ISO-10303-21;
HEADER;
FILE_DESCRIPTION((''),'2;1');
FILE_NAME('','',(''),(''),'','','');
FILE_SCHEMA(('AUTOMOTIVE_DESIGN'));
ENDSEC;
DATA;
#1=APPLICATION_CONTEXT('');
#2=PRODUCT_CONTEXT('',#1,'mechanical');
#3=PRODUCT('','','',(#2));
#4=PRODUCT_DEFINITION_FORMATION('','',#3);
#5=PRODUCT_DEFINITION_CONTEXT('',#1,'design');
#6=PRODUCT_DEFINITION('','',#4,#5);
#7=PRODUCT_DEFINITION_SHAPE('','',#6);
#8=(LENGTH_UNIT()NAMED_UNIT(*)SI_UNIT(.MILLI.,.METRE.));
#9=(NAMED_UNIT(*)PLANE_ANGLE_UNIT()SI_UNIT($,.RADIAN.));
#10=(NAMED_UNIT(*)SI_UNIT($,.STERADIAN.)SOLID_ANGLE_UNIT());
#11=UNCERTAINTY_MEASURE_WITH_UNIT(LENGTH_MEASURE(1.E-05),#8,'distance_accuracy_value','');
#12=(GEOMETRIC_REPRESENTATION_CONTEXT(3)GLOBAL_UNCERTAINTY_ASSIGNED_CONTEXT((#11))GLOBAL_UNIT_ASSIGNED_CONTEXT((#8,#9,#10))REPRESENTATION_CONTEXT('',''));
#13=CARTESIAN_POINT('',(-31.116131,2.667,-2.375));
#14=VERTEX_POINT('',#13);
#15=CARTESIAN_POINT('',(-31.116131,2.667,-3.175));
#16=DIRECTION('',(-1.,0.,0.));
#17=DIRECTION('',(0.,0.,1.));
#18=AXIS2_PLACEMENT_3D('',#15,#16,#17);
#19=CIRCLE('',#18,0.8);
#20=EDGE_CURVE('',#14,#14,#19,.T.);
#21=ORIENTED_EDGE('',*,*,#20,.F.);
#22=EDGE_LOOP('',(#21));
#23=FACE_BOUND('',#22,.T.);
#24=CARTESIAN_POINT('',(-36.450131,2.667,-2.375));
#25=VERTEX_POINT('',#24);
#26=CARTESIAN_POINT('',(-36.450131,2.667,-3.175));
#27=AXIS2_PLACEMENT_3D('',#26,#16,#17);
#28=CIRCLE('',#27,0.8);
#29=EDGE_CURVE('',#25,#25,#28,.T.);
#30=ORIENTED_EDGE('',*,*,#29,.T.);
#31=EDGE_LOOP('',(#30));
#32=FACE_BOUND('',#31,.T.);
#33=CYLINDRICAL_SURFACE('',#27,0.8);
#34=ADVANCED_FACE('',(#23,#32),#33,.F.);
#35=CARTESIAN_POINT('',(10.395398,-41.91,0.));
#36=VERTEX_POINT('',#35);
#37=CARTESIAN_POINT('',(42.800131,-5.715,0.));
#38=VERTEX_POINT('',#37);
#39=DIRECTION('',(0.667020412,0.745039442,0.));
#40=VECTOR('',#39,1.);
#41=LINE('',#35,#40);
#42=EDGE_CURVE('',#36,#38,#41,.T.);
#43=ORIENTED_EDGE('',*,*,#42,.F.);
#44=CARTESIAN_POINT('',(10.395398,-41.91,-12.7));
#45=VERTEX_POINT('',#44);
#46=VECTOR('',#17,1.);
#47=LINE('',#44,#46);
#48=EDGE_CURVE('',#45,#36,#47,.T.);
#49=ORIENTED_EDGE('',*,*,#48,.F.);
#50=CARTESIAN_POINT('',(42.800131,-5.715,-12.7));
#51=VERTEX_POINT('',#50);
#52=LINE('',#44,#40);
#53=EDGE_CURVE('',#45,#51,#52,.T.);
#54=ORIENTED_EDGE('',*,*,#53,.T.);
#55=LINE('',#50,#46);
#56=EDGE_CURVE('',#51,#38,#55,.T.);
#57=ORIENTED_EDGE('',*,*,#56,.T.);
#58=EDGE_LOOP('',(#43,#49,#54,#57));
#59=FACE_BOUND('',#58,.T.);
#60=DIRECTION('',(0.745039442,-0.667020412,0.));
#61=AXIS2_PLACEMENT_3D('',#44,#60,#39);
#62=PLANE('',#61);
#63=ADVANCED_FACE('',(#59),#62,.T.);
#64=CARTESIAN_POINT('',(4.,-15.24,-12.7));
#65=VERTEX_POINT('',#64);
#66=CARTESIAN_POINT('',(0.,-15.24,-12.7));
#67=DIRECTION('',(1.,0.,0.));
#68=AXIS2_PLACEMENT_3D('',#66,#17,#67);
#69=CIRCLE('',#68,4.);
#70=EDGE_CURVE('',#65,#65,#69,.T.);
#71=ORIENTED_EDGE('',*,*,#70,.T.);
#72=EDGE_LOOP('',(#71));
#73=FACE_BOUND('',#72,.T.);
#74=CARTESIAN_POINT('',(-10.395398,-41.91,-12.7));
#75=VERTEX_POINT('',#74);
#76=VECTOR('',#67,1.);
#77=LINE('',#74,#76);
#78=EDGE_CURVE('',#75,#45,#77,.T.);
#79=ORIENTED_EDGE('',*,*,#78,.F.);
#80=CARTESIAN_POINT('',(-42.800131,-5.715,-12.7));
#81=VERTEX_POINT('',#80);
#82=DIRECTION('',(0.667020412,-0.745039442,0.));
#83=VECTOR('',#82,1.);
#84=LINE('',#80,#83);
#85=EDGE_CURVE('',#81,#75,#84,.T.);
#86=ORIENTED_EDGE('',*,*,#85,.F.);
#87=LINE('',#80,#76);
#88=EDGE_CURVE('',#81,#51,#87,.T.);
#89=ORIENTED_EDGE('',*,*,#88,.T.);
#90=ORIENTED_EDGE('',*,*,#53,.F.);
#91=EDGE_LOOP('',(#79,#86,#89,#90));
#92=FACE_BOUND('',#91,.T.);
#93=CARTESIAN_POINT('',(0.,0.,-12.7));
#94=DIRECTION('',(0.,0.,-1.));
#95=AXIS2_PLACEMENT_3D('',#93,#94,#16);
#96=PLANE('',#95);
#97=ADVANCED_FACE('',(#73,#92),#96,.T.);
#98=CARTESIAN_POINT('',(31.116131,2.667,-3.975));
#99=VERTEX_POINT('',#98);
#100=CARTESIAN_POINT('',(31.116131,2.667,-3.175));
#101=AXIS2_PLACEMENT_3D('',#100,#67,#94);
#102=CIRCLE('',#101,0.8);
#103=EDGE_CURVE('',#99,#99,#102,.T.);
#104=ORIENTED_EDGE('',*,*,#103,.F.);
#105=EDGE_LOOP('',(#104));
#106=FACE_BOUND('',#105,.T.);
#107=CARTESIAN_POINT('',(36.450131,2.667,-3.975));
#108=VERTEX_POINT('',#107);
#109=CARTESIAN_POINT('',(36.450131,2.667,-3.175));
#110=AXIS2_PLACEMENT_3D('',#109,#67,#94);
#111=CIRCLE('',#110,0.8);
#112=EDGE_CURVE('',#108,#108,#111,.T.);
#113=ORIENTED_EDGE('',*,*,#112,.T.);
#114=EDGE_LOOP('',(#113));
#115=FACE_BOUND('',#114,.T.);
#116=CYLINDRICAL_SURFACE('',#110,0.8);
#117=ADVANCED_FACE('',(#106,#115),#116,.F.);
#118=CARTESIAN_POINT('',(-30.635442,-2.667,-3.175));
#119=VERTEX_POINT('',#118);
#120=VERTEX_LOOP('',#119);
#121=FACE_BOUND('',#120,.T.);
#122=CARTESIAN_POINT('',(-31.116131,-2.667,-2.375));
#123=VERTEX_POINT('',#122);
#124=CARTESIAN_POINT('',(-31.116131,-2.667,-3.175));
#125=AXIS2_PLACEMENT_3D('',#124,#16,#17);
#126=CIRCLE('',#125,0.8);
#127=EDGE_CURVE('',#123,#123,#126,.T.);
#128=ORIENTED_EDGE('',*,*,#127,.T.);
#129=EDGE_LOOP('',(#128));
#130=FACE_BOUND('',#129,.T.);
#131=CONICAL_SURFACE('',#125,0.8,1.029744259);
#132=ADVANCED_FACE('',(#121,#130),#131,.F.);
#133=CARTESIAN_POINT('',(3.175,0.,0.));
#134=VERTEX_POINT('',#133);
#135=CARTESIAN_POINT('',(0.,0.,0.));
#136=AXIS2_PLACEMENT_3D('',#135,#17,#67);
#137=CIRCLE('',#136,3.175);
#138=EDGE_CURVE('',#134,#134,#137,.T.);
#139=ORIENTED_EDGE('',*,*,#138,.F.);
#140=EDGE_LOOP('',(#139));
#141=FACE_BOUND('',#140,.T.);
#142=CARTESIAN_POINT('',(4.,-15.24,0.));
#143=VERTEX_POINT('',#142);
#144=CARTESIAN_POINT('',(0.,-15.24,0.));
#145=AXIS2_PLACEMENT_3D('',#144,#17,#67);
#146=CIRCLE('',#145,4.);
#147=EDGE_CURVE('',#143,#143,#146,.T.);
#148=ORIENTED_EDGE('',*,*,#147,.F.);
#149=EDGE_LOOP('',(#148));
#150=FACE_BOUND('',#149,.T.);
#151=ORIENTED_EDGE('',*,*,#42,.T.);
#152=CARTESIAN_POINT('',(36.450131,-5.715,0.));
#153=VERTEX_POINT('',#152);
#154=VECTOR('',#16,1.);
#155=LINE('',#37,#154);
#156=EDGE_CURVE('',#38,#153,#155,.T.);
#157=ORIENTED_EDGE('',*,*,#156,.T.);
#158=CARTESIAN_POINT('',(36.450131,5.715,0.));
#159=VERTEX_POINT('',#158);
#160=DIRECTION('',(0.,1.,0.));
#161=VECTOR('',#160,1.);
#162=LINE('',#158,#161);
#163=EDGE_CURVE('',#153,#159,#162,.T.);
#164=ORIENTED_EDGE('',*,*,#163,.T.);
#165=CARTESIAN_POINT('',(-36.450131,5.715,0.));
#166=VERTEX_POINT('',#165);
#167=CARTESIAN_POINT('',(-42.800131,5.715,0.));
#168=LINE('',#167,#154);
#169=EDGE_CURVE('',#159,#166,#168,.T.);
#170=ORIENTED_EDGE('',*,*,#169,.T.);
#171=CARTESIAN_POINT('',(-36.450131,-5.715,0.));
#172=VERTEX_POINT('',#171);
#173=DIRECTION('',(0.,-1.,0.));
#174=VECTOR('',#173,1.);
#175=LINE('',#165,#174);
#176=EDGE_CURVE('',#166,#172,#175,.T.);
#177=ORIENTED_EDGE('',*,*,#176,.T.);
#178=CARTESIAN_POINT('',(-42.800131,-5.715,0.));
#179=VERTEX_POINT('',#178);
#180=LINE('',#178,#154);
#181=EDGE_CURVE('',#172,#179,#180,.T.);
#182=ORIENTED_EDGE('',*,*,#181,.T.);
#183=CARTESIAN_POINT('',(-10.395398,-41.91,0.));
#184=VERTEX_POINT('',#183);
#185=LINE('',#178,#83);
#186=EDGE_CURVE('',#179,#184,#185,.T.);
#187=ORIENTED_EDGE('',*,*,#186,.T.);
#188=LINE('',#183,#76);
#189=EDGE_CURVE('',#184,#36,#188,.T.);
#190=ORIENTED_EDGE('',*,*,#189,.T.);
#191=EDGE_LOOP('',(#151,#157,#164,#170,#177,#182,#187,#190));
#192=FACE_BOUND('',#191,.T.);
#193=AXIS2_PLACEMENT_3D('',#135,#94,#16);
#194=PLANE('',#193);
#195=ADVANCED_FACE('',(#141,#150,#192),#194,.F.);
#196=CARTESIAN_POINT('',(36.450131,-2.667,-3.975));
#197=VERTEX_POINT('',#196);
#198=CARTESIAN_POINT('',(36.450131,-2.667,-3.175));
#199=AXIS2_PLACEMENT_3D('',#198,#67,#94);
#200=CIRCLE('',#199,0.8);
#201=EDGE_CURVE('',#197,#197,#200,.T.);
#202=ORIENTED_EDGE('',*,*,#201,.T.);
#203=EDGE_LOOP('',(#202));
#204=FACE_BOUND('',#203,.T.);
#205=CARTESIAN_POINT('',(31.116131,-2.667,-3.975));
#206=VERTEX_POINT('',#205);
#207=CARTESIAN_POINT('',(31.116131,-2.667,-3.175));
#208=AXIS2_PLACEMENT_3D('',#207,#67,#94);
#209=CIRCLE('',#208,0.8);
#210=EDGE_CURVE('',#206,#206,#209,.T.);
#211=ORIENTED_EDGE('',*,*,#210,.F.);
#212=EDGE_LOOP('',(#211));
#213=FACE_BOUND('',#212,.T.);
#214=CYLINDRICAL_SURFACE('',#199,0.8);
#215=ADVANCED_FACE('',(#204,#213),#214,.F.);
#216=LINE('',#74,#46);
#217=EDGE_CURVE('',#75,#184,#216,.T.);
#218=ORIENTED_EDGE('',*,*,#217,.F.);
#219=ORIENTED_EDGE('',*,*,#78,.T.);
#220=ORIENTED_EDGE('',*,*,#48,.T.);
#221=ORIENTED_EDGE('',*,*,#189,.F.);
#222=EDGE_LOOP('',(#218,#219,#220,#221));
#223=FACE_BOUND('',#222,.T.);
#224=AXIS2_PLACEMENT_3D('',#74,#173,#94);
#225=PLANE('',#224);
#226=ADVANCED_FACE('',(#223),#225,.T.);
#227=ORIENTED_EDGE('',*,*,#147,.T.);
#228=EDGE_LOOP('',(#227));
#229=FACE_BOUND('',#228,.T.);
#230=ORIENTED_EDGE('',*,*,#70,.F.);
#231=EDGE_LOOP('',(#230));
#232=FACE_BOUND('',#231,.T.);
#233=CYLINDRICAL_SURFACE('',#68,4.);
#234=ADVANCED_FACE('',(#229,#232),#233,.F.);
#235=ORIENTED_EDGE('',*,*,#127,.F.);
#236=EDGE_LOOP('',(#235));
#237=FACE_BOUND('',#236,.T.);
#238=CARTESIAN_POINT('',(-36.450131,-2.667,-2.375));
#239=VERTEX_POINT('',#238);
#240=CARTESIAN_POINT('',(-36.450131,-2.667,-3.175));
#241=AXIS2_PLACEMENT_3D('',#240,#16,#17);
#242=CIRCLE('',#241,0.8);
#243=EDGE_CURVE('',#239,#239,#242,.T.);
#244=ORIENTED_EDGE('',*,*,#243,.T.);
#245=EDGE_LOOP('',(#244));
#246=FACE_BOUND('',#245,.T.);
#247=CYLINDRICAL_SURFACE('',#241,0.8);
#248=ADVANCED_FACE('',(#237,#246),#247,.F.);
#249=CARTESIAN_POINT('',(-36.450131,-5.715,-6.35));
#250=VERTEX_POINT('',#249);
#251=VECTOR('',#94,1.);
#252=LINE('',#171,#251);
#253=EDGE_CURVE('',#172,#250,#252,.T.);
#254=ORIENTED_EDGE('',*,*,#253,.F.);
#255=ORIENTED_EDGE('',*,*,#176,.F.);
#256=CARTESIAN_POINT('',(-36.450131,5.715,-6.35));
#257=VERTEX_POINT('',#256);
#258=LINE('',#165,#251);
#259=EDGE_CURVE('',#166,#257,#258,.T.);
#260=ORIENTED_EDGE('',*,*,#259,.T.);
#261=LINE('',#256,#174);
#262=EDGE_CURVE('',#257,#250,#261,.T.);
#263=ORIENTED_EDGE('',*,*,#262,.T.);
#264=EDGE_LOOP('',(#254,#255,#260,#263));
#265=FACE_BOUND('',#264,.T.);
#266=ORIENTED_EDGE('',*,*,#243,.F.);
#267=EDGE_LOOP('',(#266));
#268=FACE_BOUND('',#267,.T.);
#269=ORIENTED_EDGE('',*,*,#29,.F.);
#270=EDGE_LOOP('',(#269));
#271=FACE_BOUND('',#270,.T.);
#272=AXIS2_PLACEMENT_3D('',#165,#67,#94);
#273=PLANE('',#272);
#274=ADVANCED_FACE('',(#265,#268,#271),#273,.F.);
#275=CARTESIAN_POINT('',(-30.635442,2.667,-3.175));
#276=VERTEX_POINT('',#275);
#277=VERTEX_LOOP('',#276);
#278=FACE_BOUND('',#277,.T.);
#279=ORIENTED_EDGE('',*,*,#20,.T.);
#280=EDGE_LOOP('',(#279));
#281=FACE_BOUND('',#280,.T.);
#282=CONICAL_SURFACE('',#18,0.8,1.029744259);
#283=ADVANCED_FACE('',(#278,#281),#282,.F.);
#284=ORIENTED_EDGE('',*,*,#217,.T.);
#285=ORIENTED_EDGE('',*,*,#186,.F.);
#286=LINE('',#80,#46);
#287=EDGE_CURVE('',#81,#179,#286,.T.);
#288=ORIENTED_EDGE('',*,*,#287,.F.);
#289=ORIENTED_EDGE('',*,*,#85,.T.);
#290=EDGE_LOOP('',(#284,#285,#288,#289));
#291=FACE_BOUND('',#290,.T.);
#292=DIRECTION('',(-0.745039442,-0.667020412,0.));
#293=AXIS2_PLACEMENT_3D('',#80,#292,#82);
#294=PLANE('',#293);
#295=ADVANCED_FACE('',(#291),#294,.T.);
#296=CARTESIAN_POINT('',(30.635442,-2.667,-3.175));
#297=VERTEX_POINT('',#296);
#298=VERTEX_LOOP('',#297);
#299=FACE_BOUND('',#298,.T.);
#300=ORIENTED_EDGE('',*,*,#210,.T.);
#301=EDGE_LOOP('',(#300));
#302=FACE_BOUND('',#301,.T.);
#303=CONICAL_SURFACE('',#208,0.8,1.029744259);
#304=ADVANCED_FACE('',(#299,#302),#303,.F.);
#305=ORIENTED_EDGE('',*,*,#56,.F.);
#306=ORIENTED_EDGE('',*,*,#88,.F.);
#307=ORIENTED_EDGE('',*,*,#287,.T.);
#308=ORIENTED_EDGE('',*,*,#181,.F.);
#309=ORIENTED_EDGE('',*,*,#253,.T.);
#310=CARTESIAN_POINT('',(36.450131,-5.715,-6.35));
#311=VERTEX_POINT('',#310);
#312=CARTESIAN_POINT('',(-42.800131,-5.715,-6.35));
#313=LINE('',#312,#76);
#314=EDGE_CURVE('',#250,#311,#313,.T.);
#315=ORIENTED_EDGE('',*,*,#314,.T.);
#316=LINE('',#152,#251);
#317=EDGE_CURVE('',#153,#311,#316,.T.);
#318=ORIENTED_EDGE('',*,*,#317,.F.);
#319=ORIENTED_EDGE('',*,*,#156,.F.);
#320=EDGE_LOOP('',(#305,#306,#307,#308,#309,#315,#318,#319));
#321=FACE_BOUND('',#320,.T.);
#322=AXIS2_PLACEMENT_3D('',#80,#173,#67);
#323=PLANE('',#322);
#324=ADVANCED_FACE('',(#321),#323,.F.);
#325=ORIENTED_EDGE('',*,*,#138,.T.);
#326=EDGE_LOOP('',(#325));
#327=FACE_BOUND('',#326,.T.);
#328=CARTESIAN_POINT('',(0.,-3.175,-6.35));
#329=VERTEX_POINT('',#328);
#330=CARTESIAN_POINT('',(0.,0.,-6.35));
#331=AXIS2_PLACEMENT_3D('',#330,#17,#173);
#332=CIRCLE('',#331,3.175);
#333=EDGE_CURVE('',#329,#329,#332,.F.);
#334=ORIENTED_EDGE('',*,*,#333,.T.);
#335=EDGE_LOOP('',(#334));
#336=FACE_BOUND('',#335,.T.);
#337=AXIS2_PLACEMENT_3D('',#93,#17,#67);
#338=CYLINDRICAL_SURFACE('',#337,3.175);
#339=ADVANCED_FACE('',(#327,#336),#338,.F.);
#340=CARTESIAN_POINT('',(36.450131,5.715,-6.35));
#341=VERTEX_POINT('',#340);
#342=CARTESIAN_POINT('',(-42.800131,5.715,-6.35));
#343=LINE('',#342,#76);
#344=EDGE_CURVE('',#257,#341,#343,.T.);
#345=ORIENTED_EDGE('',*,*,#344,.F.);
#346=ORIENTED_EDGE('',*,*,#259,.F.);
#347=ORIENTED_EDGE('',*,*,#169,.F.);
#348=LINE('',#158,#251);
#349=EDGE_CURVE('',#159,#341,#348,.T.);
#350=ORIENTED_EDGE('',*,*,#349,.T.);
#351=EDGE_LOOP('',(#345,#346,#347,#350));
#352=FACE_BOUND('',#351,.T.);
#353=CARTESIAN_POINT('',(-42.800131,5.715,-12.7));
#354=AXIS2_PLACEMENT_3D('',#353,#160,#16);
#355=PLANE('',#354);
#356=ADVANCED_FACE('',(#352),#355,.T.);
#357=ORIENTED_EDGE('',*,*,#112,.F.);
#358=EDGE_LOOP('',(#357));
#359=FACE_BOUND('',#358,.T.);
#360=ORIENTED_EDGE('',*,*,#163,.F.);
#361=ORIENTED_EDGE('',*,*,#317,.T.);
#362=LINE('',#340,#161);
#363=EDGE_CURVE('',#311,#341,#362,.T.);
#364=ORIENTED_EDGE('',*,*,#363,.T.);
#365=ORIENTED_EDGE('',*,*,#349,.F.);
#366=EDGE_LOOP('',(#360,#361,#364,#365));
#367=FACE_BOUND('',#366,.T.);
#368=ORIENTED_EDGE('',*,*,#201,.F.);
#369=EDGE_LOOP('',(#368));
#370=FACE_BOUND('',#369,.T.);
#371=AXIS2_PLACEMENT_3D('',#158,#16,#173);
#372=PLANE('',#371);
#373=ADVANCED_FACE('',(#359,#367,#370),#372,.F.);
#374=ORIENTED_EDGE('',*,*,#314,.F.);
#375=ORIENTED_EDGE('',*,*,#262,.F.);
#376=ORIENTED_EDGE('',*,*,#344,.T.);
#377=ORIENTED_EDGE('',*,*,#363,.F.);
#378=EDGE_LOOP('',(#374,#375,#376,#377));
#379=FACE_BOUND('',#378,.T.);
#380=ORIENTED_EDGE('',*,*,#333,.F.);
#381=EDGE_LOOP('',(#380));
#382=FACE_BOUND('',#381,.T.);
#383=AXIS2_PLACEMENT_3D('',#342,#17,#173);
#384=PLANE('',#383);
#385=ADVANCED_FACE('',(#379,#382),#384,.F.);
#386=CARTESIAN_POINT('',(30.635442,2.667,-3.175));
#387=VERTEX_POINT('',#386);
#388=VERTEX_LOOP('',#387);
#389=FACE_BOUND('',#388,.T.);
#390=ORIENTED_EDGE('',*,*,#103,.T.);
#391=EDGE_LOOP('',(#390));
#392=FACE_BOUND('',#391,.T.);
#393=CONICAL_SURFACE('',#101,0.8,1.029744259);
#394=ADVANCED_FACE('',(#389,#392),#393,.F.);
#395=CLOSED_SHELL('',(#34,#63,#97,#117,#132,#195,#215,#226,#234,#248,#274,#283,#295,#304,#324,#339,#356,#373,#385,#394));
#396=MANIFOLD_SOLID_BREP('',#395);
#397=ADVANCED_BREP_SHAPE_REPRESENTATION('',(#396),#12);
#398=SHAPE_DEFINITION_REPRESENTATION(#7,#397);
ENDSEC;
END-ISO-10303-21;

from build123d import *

# Parameters (mm, degrees)
BOSS_EXTRUDE1_DEPTH            = 12.7
SKETCH2_R                      = 3.175
CUT_EXTRUDE1_DEPTH             = 62.233889922
SKETCH3_W                      = 6.35
SKETCH3_H                      = 11.43
CUT_EXTRUDE2_DEPTH             = 97.151665612
SKETCH4_R                      = 4
CUT_EXTRUDE3_DEPTH             = 62.233889922
SKETCH5_R                      = 1
CUT_EXTRUDE4_DEPTH             = 62.233889922
SKETCH6_W                      = 6.35
SKETCH6_H                      = 11.43
CUT_EXTRUDE5_DEPTH             = 61.238042589
M2X0_4_TAPPED_HOLE1_AT_2_COUNT = 2
M2X0_4_TAPPED_HOLE1_AT_2_PITCH = 5.334


with BuildPart() as part:
    # Sketch1 → Boss-Extrude1 (new body)
    with BuildSketch(Plane.XY):
        Polygon((-42.800130549, -5.715), (-10.39539802, -41.91), (10.39539802, -41.91), (42.800130549, -5.715), (42.800130549, 5.715), (-42.800130549, 5.715), align=None)
    extrude(amount=-BOSS_EXTRUDE1_DEPTH)

    # Sketch2 → Cut-Extrude1 (cut, through all)
    with BuildSketch(Plane.XY):
        Circle(SKETCH2_R)
    extrude(amount=-CUT_EXTRUDE1_DEPTH, mode=Mode.SUBTRACT)

    # Sketch3 → Cut-Extrude2 (cut, through all)
    with BuildSketch(Plane(origin=(42.800130549, 0, 0), x_dir=(0, 0, -1), z_dir=(1, 0, 0))):
        with Locations((9.525, 0)):
            Rectangle(SKETCH3_W, SKETCH3_H)
    extrude(amount=-CUT_EXTRUDE2_DEPTH, mode=Mode.SUBTRACT)

    # Sketch4 → Cut-Extrude3 (cut, through all)
    with BuildSketch(Plane.XY):
        with Locations((0, -15.24)):
            Circle(SKETCH4_R)
    extrude(amount=-CUT_EXTRUDE3_DEPTH, mode=Mode.SUBTRACT)

    # Sketch5 → Cut-Extrude4 (cut, through all)
    with BuildSketch(Plane.XY):
        with Locations((39.625130549, 3.175)):
            Circle(SKETCH5_R)
        with Locations((39.625130549, -3.175)):
            Circle(SKETCH5_R)
    cut_extrude4 = extrude(amount=-CUT_EXTRUDE4_DEPTH, mode=Mode.SUBTRACT)

    # Mirror1: Cut-Extrude4 across plane
    add(cut_extrude4.mirror(Plane(origin=(0, 0, 0), x_dir=(0, 0, 1), z_dir=(1, 0, 0))), mode=Mode.SUBTRACT)

    # Sketch6 → Cut-Extrude5 (cut, through all)
    with BuildSketch(Plane(origin=(0, 0, -6.35), x_dir=(-1, 0, 0), z_dir=(0, 0, -1))):
        with Locations((-39.625130549, 0)):
            Rectangle(SKETCH6_W, SKETCH6_H)
        with Locations((39.625130549, 0)):
            Rectangle(SKETCH6_W, SKETCH6_H)
    extrude(amount=-CUT_EXTRUDE5_DEPTH, mode=Mode.SUBTRACT)

    # Sketch8 → M2x0.4 Tapped Hole1 (revolve, cut)
    with BuildSketch(Plane(origin=(-36.450130549, 2.667, -3.175), x_dir=(0, 0, 1), z_dir=(0, 1, 0))):
        Polygon((0, 0), (0, 5.814688495), (0.8, 5.334), (0.8, 0), align=None)
    m2x0_4_tapped_hole1 = revolve(axis=Axis((-42.800130549, 2.667, -3.175), (1, 0, 0)), mode=Mode.SUBTRACT)

    # M2x0.4 Tapped Hole1 at 2: M2x0.4 Tapped Hole1 ×2
    with Locations(*[(0, -i * M2X0_4_TAPPED_HOLE1_AT_2_PITCH, 0) for i in range(1, M2X0_4_TAPPED_HOLE1_AT_2_COUNT)]):
        add(m2x0_4_tapped_hole1, mode=Mode.SUBTRACT)

    # Mirror2: M2x0.4 Tapped Hole1 across plane
    add(m2x0_4_tapped_hole1.mirror(Plane(origin=(0, 0, 0), x_dir=(0, 0, 1), z_dir=(1, 0, 0))), mode=Mode.SUBTRACT)

    # Mirror2 copy 1 sketch → Mirror2 copy 1 (revolve, cut)
    with BuildSketch(Plane(origin=(36.450130549, -2.667, -3.175), x_dir=(0, 0, 1), z_dir=(0, 1, 0))):
        Polygon((0, 0), (0, -5.814688495), (0.8, -5.334), (0.8, 0), align=None)
    revolve(axis=Axis((42.800130549, -2.667, -3.175), (1, 0, 0)), mode=Mode.SUBTRACT)


solid = part.part
